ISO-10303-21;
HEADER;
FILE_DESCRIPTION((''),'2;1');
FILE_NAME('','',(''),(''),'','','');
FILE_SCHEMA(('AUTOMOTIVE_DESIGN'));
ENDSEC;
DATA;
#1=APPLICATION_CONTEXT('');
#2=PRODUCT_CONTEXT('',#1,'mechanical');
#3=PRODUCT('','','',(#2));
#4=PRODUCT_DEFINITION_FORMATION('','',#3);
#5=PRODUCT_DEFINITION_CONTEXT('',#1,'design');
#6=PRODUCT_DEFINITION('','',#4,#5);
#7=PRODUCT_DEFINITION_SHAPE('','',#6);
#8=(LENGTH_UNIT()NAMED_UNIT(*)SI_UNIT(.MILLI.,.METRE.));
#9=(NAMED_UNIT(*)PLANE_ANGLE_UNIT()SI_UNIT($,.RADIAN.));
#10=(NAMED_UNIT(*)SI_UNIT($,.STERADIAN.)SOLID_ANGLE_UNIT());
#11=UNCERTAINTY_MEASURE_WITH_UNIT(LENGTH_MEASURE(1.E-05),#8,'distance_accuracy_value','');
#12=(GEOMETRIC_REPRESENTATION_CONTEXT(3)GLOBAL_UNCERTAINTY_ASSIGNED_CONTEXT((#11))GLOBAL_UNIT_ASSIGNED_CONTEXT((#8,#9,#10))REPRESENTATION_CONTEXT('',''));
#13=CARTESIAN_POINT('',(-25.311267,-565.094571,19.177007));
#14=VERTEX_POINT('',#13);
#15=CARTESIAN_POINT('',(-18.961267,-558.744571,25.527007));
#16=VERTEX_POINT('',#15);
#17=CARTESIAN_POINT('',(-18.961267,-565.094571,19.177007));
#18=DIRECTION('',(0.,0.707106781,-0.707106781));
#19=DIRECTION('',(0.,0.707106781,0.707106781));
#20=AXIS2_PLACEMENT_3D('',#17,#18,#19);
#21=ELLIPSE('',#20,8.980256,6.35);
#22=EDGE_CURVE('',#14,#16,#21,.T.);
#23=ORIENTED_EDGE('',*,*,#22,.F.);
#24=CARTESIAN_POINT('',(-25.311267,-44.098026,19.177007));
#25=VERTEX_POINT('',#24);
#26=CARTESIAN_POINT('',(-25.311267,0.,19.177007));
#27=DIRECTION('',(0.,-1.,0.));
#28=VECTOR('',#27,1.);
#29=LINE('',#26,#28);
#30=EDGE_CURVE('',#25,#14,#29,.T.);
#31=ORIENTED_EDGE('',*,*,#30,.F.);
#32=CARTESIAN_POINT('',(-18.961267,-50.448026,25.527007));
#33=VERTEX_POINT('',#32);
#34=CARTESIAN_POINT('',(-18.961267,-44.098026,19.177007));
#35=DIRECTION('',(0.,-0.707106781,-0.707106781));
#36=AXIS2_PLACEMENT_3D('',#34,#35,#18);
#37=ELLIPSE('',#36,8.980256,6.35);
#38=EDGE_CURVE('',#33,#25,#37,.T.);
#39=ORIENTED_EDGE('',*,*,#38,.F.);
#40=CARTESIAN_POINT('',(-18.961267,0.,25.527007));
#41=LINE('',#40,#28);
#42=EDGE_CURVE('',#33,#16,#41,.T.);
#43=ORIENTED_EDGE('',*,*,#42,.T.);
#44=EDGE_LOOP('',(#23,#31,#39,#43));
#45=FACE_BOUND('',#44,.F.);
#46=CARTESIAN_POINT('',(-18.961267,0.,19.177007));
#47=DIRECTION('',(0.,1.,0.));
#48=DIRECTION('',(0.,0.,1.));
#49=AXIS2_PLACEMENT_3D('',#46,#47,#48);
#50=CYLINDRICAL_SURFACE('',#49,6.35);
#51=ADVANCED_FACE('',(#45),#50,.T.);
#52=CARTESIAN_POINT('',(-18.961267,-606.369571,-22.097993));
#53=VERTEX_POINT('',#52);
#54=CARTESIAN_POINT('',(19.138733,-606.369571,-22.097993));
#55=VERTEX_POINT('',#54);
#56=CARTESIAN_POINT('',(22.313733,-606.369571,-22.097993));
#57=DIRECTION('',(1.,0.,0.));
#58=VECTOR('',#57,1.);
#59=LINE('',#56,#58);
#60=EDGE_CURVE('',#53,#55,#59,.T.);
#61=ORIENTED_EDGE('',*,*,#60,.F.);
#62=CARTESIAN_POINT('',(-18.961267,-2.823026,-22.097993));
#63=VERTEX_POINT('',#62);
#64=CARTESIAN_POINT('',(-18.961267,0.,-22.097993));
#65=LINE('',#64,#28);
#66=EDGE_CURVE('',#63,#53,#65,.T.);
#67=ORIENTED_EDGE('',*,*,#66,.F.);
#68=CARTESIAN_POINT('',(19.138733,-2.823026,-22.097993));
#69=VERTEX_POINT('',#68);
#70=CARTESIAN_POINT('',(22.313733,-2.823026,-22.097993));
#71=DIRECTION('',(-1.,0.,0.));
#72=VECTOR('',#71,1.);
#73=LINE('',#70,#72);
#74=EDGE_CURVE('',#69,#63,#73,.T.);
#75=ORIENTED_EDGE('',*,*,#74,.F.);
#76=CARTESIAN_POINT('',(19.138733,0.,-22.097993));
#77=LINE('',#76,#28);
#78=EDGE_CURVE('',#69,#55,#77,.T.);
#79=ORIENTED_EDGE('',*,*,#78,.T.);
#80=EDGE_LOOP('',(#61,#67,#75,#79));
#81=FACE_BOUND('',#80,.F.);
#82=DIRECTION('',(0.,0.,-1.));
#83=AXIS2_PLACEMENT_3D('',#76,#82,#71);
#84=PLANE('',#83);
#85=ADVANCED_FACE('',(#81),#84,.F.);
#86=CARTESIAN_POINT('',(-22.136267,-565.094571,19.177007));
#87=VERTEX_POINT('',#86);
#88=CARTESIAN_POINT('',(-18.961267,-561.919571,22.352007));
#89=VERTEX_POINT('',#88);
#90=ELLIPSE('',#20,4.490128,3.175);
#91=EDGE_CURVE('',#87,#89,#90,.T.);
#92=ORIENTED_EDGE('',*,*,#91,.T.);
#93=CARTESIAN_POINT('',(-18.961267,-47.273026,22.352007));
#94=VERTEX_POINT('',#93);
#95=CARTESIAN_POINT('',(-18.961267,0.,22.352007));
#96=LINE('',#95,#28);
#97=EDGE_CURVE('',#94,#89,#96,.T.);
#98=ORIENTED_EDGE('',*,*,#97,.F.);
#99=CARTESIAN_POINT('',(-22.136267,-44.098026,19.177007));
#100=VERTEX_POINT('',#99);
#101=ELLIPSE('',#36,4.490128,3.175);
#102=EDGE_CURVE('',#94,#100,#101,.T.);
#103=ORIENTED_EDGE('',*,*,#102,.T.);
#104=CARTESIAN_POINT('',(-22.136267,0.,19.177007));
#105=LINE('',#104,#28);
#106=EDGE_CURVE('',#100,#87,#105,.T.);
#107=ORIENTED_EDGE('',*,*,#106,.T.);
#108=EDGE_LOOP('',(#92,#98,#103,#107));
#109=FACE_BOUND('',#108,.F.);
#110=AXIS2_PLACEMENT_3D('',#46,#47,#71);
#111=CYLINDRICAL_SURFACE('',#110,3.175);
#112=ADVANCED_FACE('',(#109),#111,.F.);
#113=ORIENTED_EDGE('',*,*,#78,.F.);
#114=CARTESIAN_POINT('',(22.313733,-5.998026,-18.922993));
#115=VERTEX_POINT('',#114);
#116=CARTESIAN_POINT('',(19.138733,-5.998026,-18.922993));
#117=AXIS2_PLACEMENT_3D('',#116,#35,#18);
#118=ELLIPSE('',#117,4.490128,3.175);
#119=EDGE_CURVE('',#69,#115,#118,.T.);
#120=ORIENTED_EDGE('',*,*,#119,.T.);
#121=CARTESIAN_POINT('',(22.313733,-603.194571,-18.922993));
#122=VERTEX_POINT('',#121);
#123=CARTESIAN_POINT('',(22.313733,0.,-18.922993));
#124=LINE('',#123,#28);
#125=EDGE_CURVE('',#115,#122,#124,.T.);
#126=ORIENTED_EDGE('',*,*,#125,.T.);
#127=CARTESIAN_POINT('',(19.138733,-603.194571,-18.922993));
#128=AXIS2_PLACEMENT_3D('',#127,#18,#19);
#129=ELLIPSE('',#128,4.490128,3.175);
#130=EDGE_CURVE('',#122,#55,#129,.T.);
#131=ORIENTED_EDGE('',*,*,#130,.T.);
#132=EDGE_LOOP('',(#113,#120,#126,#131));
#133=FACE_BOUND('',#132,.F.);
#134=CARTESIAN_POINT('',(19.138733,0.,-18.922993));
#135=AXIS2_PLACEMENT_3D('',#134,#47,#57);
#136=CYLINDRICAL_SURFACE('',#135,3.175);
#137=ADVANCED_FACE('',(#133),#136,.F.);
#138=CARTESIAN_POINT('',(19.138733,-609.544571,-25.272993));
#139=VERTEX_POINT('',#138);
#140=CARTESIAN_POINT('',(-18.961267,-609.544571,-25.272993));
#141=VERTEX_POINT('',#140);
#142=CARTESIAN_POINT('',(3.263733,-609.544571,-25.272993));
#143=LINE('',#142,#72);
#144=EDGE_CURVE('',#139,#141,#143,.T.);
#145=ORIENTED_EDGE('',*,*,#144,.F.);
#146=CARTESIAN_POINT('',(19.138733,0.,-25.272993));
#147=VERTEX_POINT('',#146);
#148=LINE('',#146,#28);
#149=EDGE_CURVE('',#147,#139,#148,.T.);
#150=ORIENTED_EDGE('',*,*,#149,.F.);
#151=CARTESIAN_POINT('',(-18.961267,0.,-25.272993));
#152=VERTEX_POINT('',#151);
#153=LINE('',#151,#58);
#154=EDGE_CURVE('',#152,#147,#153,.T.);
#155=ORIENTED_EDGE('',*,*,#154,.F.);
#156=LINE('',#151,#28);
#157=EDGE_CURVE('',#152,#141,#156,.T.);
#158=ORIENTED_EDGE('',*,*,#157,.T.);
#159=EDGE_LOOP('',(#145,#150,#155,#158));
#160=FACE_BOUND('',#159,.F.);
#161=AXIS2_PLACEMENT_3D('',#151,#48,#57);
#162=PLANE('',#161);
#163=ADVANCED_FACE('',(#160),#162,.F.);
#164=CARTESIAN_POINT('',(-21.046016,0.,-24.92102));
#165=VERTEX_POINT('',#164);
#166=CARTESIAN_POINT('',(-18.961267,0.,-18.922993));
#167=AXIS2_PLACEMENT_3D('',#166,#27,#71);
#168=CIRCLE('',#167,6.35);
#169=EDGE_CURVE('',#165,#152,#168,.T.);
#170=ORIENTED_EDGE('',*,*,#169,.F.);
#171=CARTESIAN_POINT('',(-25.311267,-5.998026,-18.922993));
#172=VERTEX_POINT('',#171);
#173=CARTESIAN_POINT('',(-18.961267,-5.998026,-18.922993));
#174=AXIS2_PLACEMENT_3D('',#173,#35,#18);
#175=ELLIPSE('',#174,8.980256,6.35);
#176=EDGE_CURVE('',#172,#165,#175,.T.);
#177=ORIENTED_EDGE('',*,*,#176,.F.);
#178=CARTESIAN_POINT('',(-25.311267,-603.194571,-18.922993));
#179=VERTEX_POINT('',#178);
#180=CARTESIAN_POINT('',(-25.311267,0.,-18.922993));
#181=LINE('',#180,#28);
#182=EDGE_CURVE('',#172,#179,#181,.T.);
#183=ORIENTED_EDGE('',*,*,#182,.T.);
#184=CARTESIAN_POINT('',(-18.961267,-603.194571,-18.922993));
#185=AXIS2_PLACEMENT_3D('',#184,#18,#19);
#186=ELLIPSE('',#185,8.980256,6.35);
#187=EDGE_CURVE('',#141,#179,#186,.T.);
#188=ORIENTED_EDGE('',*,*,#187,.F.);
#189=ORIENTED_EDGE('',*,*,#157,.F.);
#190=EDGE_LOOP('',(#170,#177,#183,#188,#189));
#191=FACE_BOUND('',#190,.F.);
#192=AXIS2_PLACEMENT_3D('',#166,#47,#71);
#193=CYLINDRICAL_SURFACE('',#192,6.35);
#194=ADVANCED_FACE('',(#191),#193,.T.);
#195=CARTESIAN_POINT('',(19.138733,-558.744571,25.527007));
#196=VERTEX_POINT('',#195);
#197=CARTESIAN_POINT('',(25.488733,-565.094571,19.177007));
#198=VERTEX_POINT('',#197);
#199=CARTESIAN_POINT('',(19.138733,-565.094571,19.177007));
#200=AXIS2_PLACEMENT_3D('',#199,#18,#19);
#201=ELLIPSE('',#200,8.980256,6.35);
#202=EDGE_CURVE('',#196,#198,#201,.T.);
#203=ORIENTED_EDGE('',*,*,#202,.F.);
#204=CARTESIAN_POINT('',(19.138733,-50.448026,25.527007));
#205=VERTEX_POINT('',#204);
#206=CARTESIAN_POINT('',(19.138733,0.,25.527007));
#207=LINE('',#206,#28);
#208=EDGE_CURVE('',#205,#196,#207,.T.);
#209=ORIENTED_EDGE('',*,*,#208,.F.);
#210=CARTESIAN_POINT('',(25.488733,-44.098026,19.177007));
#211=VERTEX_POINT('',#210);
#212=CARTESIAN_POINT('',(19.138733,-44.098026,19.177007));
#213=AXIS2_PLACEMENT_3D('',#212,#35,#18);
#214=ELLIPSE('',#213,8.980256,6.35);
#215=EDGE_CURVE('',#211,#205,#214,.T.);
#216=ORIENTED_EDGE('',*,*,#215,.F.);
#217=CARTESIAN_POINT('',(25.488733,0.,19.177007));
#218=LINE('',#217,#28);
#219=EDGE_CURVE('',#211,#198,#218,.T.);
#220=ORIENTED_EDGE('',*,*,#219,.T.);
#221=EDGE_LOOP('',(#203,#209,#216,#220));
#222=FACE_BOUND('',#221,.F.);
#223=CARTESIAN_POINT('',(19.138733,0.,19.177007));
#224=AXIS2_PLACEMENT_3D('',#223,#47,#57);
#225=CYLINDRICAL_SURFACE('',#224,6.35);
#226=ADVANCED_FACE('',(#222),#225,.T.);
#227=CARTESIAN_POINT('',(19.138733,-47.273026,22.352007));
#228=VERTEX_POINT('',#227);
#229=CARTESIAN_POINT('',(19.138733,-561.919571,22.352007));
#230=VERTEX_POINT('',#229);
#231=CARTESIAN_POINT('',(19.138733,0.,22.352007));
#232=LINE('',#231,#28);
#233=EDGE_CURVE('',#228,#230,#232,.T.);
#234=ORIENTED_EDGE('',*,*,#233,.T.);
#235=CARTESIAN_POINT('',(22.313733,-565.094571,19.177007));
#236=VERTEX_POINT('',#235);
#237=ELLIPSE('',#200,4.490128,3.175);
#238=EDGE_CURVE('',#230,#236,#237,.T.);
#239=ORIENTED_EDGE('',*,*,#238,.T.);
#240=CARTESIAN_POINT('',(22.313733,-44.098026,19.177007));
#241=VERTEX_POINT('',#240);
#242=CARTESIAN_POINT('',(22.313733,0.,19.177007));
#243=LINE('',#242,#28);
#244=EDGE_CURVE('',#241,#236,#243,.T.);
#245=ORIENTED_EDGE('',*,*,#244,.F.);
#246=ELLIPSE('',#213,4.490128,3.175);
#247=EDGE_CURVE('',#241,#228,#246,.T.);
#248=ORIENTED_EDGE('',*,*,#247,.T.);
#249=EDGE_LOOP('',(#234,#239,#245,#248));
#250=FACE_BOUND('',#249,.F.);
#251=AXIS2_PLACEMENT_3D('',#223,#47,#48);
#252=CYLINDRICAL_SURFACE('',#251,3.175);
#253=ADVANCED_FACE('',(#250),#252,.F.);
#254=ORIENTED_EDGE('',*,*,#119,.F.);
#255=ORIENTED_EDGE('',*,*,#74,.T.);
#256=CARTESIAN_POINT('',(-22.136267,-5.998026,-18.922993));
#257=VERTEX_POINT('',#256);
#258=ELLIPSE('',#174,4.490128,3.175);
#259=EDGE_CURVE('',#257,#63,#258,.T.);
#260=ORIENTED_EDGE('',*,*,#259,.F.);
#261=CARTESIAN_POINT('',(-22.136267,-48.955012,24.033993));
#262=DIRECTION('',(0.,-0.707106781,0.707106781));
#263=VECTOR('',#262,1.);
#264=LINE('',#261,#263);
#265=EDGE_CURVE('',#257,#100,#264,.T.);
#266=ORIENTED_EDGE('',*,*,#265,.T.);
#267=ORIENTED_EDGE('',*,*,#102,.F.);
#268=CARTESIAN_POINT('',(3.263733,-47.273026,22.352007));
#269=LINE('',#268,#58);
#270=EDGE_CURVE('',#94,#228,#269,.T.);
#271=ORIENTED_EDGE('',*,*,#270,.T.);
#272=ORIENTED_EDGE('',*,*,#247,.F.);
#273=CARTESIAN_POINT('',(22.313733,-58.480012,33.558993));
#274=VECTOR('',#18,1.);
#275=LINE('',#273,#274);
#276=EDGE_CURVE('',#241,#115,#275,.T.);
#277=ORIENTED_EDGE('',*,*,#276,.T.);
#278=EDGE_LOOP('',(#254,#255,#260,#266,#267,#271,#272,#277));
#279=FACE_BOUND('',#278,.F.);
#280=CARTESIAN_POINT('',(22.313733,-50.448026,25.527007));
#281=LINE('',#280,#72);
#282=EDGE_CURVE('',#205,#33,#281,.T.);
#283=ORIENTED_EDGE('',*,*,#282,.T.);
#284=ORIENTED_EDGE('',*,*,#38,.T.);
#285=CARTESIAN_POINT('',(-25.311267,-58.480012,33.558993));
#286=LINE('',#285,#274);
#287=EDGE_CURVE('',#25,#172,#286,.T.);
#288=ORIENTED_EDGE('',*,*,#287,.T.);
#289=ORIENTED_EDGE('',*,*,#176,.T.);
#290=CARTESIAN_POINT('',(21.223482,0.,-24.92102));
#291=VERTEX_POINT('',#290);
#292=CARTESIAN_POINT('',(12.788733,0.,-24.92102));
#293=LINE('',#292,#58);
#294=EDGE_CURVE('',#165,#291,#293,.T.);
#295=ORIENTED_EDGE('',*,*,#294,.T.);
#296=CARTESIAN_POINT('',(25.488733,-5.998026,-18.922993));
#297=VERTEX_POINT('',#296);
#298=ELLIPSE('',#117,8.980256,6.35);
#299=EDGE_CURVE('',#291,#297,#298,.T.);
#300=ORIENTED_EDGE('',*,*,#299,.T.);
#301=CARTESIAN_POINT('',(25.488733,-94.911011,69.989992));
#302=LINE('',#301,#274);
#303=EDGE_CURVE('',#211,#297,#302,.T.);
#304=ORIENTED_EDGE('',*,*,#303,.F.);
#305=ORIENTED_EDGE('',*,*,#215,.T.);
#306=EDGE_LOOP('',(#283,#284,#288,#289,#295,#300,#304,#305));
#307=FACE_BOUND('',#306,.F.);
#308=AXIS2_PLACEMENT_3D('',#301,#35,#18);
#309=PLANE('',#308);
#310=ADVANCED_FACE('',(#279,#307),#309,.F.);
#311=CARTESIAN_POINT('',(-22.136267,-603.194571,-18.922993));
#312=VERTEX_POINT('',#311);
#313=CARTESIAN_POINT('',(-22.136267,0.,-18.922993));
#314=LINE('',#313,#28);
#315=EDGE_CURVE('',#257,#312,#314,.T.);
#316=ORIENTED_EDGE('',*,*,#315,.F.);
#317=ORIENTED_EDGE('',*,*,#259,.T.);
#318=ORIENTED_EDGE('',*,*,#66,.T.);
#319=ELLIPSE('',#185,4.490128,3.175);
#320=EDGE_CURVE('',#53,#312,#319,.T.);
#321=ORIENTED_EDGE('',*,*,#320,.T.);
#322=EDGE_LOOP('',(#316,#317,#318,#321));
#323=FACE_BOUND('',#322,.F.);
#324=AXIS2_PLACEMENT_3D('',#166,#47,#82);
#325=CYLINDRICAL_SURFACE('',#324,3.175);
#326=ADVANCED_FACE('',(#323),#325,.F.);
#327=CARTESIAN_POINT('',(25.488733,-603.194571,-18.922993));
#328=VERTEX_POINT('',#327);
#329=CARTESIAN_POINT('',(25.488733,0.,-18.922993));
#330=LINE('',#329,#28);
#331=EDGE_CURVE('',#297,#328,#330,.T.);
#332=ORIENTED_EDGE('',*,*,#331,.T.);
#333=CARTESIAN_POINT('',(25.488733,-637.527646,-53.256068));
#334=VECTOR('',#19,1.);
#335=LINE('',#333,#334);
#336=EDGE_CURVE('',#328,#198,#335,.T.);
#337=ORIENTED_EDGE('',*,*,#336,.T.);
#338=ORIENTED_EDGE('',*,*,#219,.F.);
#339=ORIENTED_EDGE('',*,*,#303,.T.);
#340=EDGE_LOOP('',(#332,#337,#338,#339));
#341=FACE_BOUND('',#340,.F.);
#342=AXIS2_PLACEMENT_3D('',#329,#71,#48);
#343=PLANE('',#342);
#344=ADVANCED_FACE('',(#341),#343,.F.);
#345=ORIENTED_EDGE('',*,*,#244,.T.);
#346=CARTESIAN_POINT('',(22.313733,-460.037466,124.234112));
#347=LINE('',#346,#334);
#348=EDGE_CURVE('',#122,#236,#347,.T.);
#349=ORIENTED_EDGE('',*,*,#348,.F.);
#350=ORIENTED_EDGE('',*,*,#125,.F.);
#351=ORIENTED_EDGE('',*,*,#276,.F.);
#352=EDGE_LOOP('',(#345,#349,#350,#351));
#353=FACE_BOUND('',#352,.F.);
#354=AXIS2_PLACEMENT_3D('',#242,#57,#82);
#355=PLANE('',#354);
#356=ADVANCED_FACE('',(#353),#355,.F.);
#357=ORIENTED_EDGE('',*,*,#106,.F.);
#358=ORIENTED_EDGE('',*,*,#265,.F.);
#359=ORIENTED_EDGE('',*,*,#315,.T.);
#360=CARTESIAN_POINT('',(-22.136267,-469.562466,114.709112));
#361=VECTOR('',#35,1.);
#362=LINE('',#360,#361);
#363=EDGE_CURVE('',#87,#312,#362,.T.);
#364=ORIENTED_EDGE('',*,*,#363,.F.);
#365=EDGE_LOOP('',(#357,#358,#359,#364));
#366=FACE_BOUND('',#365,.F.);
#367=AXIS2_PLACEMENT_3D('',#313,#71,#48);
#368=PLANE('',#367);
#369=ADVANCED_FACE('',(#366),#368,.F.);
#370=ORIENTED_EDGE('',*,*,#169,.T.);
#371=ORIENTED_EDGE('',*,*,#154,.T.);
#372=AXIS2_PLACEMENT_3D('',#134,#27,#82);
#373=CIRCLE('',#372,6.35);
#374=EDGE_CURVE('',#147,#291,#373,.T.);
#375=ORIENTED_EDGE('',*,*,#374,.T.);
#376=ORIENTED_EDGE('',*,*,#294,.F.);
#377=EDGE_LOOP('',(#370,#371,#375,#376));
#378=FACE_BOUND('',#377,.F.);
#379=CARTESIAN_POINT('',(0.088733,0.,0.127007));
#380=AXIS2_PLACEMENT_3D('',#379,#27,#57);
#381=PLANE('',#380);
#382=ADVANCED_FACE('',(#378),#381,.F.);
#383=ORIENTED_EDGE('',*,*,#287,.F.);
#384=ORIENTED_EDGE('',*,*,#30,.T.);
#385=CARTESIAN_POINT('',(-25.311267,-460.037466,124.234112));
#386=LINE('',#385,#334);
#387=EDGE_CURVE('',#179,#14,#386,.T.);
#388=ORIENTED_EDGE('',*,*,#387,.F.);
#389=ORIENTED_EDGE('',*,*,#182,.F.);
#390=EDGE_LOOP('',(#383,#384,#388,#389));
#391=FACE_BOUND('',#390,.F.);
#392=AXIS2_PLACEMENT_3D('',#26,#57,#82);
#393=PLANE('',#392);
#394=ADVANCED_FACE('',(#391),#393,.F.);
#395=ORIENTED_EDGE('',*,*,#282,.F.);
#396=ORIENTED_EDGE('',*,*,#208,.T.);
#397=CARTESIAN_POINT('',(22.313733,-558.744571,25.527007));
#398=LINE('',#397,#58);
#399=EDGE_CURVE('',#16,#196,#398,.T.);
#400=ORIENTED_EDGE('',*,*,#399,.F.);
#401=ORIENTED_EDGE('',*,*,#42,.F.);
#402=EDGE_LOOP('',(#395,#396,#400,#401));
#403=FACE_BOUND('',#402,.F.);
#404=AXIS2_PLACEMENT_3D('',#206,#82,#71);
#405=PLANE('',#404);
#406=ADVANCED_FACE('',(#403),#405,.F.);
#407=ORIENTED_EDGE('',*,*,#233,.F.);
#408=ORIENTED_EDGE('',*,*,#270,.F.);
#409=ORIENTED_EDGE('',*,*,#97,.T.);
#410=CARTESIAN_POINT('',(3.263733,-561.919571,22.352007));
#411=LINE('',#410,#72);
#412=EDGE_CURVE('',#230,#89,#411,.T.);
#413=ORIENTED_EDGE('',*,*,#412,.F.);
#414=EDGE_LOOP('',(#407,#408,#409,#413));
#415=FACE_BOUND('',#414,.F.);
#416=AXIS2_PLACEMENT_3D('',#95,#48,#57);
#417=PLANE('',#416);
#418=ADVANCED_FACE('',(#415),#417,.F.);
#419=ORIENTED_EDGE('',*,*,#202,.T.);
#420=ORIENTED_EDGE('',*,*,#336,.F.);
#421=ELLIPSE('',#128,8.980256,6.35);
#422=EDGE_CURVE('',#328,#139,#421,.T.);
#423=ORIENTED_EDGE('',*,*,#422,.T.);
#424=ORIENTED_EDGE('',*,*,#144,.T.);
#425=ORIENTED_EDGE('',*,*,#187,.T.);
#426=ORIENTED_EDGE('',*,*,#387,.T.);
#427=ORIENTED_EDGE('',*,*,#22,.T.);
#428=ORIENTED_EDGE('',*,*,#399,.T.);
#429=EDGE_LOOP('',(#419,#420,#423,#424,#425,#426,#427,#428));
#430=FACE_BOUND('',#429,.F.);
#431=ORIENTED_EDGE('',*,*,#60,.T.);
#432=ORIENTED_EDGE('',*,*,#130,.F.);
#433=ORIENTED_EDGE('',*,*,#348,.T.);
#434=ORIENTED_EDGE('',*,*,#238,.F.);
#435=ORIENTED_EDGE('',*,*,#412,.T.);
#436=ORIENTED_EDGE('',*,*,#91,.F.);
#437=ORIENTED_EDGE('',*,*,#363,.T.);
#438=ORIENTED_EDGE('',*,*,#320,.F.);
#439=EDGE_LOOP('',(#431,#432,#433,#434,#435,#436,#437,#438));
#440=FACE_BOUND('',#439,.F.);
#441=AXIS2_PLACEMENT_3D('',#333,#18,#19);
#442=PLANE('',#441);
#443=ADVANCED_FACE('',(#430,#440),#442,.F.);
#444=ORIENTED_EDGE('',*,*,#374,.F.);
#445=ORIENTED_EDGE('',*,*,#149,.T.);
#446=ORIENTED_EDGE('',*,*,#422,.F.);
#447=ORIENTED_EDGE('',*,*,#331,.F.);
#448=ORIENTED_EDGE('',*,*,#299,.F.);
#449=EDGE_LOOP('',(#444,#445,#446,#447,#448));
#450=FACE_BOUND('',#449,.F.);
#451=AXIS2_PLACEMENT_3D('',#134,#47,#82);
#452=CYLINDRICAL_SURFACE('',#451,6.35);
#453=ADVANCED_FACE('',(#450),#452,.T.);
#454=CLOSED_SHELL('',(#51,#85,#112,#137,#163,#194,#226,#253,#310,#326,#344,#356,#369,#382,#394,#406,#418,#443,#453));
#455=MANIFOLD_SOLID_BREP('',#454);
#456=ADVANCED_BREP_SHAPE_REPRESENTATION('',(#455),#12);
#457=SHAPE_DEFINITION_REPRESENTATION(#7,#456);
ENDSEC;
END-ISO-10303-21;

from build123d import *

# Parameters (mm, degrees)
F1_DEPTH = 609.6
F3_DEPTH = 50.801


with BuildPart() as f1:
    # F0 (on Front) → F1 (new body)
    with BuildSketch(Plane.XZ):
        with BuildLine():
            Line((-18.9612670034, -25.2729933709), (19.1387329966, -25.2729933709))
            ThreePointArc((19.1387329966, -25.2729933709), (23.6288610571, -23.4131214314), (25.4887329966, -18.9229933709))
            Line((25.4887329966, -18.9229933709), (25.4887329966, 19.1770066291))
            ThreePointArc((25.4887329966, 19.1770066291), (23.6288610571, 23.6671346896), (19.1387329966, 25.5270066291))
            Line((19.1387329966, 25.5270066291), (-18.9612670034, 25.5270066291))
            ThreePointArc((-18.9612670034, 25.5270066291), (-23.451395064, 23.6671346896), (-25.3112670034, 19.1770066291))
            Line((-25.3112670034, 19.1770066291), (-25.3112670034, -18.9229933709))
            ThreePointArc((-25.3112670034, -18.9229933709), (-23.451395064, -23.4131214314), (-18.9612670034, -25.2729933709))
        make_face()
        with BuildLine():
            Line((-18.9612670034, 22.3520066291), (19.1387329966, 22.3520066291))
            ThreePointArc((19.1387329966, 22.3520066291), (21.3837970268, 21.4220706594), (22.3137329966, 19.1770066291))
            Line((22.3137329966, 19.1770066291), (22.3137329966, -18.9229933709))
            ThreePointArc((22.3137329966, -18.9229933709), (21.3837970268, -21.1680574012), (19.1387329966, -22.0979933709))
            Line((19.1387329966, -22.0979933709), (-18.9612670034, -22.0979933709))
            ThreePointArc((-18.9612670034, -22.0979933709), (-21.2063310337, -21.1680574012), (-22.1362670034, -18.9229933709))
            Line((-22.1362670034, -18.9229933709), (-22.1362670034, 19.1770066291))
            ThreePointArc((-22.1362670034, 19.1770066291), (-21.2063310337, 21.4220706594), (-18.9612670034, 22.3520066291))
        make_face(mode=Mode.SUBTRACT)
    extrude(amount=F1_DEPTH)

    # F2 (on face) → F3 (cut, through all)
    with BuildSketch(Plane.YZ.offset(25.4887329966)):
        Polygon((-637.5276456785, 54.5883400366), (-637.5276456785, -53.2560676181), (-603.1945714313, -18.9229933709), (-609.6, -18.9229933709), (-609.6, 19.1770066291), (-565.0945714313, 19.1770066291), (-529.6832380238, 54.5883400366), align=None)
        Polygon((-609.6, -18.9229933709), (-603.1945714313, -18.9229933709), (-565.0945714313, 19.1770066291), (-609.6, 19.1770066291), align=None)
        Polygon((0, -18.9229933709), (-5.9980263665, -18.9229933709), (48.8678000444, -73.7888197817), (48.8678000444, 69.9899916479), (-94.9110113853, 69.9899916479), (-44.0980263665, 19.1770066291), (0, 19.1770066291), align=None)
        Polygon((-44.0980263665, 19.1770066291), (-5.9980263665, -18.9229933709), (0, -18.9229933709), (0, 19.1770066291), align=None)
    extrude(amount=-F3_DEPTH, mode=Mode.SUBTRACT)


solid = f1.part
